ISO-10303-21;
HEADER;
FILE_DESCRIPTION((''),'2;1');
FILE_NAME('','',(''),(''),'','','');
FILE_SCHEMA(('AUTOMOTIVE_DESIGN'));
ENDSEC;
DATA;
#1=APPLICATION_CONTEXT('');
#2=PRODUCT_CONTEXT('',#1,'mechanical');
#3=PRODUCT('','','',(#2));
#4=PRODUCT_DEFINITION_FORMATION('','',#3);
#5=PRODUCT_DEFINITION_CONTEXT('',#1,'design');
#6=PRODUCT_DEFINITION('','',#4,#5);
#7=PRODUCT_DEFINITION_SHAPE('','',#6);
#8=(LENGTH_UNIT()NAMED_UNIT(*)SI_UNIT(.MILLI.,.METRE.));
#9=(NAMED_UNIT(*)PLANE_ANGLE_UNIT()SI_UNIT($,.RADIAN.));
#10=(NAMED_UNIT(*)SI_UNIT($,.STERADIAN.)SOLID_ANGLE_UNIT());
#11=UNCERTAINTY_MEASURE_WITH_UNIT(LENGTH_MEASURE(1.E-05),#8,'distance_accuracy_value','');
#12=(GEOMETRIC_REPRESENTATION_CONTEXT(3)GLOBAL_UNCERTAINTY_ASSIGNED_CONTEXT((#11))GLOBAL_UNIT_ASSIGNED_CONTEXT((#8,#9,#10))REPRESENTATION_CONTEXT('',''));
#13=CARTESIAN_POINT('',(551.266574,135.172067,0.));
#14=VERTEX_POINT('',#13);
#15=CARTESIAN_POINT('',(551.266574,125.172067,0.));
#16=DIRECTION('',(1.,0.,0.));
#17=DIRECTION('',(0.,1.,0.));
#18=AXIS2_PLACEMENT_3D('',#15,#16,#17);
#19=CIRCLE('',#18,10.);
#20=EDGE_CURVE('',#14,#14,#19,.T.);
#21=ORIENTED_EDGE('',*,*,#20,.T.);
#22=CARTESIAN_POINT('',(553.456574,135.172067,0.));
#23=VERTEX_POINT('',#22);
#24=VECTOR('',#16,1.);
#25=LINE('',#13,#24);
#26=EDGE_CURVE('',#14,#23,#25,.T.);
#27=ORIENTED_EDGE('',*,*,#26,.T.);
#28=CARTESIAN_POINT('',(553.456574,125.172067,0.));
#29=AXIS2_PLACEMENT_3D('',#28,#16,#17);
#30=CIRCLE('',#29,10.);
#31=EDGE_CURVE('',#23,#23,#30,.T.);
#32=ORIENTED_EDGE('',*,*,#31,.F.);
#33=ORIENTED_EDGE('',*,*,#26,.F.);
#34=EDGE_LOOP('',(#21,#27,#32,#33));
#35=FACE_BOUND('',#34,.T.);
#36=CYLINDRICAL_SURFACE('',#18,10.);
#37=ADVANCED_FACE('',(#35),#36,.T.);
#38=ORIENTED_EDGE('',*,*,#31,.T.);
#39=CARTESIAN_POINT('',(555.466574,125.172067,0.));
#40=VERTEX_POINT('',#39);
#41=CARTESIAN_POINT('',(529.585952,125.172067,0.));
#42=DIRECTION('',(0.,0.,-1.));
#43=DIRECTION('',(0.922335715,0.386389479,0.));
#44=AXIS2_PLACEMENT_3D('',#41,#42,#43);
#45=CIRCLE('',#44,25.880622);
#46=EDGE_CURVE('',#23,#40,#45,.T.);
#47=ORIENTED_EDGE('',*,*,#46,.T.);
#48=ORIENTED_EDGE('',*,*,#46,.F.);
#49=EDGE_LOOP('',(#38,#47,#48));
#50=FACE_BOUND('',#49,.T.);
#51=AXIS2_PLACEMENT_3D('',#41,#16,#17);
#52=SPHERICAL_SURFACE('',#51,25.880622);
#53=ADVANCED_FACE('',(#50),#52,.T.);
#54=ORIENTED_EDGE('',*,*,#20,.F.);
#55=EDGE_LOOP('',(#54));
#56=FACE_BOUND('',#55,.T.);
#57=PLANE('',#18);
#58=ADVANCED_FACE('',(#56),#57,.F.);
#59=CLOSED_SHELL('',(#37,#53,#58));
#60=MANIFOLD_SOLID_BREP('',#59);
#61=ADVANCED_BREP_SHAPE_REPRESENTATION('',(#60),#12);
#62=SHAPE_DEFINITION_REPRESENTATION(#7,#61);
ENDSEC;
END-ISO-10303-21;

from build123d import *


with BuildPart() as part:
    # 草图2 → 旋转2 (revolve)
    with BuildSketch(Plane.XY):
        with BuildLine():
            Line((551.266574236, 125.172067176), (551.266574236, 135.172067176))
            Line((551.266574236, 135.172067176), (553.456574236, 135.172067176))
            ThreePointArc((553.456574236, 135.172067176), (554.959098868, 130.272069627), (555.466574236, 125.172067176))
            Line((555.466574236, 125.172067176), (551.266574236, 125.172067176))
        make_face()
    revolve(axis=Axis((548.863053355, 125.172067176, 0), (1, 0, 0)))


solid = part.part
